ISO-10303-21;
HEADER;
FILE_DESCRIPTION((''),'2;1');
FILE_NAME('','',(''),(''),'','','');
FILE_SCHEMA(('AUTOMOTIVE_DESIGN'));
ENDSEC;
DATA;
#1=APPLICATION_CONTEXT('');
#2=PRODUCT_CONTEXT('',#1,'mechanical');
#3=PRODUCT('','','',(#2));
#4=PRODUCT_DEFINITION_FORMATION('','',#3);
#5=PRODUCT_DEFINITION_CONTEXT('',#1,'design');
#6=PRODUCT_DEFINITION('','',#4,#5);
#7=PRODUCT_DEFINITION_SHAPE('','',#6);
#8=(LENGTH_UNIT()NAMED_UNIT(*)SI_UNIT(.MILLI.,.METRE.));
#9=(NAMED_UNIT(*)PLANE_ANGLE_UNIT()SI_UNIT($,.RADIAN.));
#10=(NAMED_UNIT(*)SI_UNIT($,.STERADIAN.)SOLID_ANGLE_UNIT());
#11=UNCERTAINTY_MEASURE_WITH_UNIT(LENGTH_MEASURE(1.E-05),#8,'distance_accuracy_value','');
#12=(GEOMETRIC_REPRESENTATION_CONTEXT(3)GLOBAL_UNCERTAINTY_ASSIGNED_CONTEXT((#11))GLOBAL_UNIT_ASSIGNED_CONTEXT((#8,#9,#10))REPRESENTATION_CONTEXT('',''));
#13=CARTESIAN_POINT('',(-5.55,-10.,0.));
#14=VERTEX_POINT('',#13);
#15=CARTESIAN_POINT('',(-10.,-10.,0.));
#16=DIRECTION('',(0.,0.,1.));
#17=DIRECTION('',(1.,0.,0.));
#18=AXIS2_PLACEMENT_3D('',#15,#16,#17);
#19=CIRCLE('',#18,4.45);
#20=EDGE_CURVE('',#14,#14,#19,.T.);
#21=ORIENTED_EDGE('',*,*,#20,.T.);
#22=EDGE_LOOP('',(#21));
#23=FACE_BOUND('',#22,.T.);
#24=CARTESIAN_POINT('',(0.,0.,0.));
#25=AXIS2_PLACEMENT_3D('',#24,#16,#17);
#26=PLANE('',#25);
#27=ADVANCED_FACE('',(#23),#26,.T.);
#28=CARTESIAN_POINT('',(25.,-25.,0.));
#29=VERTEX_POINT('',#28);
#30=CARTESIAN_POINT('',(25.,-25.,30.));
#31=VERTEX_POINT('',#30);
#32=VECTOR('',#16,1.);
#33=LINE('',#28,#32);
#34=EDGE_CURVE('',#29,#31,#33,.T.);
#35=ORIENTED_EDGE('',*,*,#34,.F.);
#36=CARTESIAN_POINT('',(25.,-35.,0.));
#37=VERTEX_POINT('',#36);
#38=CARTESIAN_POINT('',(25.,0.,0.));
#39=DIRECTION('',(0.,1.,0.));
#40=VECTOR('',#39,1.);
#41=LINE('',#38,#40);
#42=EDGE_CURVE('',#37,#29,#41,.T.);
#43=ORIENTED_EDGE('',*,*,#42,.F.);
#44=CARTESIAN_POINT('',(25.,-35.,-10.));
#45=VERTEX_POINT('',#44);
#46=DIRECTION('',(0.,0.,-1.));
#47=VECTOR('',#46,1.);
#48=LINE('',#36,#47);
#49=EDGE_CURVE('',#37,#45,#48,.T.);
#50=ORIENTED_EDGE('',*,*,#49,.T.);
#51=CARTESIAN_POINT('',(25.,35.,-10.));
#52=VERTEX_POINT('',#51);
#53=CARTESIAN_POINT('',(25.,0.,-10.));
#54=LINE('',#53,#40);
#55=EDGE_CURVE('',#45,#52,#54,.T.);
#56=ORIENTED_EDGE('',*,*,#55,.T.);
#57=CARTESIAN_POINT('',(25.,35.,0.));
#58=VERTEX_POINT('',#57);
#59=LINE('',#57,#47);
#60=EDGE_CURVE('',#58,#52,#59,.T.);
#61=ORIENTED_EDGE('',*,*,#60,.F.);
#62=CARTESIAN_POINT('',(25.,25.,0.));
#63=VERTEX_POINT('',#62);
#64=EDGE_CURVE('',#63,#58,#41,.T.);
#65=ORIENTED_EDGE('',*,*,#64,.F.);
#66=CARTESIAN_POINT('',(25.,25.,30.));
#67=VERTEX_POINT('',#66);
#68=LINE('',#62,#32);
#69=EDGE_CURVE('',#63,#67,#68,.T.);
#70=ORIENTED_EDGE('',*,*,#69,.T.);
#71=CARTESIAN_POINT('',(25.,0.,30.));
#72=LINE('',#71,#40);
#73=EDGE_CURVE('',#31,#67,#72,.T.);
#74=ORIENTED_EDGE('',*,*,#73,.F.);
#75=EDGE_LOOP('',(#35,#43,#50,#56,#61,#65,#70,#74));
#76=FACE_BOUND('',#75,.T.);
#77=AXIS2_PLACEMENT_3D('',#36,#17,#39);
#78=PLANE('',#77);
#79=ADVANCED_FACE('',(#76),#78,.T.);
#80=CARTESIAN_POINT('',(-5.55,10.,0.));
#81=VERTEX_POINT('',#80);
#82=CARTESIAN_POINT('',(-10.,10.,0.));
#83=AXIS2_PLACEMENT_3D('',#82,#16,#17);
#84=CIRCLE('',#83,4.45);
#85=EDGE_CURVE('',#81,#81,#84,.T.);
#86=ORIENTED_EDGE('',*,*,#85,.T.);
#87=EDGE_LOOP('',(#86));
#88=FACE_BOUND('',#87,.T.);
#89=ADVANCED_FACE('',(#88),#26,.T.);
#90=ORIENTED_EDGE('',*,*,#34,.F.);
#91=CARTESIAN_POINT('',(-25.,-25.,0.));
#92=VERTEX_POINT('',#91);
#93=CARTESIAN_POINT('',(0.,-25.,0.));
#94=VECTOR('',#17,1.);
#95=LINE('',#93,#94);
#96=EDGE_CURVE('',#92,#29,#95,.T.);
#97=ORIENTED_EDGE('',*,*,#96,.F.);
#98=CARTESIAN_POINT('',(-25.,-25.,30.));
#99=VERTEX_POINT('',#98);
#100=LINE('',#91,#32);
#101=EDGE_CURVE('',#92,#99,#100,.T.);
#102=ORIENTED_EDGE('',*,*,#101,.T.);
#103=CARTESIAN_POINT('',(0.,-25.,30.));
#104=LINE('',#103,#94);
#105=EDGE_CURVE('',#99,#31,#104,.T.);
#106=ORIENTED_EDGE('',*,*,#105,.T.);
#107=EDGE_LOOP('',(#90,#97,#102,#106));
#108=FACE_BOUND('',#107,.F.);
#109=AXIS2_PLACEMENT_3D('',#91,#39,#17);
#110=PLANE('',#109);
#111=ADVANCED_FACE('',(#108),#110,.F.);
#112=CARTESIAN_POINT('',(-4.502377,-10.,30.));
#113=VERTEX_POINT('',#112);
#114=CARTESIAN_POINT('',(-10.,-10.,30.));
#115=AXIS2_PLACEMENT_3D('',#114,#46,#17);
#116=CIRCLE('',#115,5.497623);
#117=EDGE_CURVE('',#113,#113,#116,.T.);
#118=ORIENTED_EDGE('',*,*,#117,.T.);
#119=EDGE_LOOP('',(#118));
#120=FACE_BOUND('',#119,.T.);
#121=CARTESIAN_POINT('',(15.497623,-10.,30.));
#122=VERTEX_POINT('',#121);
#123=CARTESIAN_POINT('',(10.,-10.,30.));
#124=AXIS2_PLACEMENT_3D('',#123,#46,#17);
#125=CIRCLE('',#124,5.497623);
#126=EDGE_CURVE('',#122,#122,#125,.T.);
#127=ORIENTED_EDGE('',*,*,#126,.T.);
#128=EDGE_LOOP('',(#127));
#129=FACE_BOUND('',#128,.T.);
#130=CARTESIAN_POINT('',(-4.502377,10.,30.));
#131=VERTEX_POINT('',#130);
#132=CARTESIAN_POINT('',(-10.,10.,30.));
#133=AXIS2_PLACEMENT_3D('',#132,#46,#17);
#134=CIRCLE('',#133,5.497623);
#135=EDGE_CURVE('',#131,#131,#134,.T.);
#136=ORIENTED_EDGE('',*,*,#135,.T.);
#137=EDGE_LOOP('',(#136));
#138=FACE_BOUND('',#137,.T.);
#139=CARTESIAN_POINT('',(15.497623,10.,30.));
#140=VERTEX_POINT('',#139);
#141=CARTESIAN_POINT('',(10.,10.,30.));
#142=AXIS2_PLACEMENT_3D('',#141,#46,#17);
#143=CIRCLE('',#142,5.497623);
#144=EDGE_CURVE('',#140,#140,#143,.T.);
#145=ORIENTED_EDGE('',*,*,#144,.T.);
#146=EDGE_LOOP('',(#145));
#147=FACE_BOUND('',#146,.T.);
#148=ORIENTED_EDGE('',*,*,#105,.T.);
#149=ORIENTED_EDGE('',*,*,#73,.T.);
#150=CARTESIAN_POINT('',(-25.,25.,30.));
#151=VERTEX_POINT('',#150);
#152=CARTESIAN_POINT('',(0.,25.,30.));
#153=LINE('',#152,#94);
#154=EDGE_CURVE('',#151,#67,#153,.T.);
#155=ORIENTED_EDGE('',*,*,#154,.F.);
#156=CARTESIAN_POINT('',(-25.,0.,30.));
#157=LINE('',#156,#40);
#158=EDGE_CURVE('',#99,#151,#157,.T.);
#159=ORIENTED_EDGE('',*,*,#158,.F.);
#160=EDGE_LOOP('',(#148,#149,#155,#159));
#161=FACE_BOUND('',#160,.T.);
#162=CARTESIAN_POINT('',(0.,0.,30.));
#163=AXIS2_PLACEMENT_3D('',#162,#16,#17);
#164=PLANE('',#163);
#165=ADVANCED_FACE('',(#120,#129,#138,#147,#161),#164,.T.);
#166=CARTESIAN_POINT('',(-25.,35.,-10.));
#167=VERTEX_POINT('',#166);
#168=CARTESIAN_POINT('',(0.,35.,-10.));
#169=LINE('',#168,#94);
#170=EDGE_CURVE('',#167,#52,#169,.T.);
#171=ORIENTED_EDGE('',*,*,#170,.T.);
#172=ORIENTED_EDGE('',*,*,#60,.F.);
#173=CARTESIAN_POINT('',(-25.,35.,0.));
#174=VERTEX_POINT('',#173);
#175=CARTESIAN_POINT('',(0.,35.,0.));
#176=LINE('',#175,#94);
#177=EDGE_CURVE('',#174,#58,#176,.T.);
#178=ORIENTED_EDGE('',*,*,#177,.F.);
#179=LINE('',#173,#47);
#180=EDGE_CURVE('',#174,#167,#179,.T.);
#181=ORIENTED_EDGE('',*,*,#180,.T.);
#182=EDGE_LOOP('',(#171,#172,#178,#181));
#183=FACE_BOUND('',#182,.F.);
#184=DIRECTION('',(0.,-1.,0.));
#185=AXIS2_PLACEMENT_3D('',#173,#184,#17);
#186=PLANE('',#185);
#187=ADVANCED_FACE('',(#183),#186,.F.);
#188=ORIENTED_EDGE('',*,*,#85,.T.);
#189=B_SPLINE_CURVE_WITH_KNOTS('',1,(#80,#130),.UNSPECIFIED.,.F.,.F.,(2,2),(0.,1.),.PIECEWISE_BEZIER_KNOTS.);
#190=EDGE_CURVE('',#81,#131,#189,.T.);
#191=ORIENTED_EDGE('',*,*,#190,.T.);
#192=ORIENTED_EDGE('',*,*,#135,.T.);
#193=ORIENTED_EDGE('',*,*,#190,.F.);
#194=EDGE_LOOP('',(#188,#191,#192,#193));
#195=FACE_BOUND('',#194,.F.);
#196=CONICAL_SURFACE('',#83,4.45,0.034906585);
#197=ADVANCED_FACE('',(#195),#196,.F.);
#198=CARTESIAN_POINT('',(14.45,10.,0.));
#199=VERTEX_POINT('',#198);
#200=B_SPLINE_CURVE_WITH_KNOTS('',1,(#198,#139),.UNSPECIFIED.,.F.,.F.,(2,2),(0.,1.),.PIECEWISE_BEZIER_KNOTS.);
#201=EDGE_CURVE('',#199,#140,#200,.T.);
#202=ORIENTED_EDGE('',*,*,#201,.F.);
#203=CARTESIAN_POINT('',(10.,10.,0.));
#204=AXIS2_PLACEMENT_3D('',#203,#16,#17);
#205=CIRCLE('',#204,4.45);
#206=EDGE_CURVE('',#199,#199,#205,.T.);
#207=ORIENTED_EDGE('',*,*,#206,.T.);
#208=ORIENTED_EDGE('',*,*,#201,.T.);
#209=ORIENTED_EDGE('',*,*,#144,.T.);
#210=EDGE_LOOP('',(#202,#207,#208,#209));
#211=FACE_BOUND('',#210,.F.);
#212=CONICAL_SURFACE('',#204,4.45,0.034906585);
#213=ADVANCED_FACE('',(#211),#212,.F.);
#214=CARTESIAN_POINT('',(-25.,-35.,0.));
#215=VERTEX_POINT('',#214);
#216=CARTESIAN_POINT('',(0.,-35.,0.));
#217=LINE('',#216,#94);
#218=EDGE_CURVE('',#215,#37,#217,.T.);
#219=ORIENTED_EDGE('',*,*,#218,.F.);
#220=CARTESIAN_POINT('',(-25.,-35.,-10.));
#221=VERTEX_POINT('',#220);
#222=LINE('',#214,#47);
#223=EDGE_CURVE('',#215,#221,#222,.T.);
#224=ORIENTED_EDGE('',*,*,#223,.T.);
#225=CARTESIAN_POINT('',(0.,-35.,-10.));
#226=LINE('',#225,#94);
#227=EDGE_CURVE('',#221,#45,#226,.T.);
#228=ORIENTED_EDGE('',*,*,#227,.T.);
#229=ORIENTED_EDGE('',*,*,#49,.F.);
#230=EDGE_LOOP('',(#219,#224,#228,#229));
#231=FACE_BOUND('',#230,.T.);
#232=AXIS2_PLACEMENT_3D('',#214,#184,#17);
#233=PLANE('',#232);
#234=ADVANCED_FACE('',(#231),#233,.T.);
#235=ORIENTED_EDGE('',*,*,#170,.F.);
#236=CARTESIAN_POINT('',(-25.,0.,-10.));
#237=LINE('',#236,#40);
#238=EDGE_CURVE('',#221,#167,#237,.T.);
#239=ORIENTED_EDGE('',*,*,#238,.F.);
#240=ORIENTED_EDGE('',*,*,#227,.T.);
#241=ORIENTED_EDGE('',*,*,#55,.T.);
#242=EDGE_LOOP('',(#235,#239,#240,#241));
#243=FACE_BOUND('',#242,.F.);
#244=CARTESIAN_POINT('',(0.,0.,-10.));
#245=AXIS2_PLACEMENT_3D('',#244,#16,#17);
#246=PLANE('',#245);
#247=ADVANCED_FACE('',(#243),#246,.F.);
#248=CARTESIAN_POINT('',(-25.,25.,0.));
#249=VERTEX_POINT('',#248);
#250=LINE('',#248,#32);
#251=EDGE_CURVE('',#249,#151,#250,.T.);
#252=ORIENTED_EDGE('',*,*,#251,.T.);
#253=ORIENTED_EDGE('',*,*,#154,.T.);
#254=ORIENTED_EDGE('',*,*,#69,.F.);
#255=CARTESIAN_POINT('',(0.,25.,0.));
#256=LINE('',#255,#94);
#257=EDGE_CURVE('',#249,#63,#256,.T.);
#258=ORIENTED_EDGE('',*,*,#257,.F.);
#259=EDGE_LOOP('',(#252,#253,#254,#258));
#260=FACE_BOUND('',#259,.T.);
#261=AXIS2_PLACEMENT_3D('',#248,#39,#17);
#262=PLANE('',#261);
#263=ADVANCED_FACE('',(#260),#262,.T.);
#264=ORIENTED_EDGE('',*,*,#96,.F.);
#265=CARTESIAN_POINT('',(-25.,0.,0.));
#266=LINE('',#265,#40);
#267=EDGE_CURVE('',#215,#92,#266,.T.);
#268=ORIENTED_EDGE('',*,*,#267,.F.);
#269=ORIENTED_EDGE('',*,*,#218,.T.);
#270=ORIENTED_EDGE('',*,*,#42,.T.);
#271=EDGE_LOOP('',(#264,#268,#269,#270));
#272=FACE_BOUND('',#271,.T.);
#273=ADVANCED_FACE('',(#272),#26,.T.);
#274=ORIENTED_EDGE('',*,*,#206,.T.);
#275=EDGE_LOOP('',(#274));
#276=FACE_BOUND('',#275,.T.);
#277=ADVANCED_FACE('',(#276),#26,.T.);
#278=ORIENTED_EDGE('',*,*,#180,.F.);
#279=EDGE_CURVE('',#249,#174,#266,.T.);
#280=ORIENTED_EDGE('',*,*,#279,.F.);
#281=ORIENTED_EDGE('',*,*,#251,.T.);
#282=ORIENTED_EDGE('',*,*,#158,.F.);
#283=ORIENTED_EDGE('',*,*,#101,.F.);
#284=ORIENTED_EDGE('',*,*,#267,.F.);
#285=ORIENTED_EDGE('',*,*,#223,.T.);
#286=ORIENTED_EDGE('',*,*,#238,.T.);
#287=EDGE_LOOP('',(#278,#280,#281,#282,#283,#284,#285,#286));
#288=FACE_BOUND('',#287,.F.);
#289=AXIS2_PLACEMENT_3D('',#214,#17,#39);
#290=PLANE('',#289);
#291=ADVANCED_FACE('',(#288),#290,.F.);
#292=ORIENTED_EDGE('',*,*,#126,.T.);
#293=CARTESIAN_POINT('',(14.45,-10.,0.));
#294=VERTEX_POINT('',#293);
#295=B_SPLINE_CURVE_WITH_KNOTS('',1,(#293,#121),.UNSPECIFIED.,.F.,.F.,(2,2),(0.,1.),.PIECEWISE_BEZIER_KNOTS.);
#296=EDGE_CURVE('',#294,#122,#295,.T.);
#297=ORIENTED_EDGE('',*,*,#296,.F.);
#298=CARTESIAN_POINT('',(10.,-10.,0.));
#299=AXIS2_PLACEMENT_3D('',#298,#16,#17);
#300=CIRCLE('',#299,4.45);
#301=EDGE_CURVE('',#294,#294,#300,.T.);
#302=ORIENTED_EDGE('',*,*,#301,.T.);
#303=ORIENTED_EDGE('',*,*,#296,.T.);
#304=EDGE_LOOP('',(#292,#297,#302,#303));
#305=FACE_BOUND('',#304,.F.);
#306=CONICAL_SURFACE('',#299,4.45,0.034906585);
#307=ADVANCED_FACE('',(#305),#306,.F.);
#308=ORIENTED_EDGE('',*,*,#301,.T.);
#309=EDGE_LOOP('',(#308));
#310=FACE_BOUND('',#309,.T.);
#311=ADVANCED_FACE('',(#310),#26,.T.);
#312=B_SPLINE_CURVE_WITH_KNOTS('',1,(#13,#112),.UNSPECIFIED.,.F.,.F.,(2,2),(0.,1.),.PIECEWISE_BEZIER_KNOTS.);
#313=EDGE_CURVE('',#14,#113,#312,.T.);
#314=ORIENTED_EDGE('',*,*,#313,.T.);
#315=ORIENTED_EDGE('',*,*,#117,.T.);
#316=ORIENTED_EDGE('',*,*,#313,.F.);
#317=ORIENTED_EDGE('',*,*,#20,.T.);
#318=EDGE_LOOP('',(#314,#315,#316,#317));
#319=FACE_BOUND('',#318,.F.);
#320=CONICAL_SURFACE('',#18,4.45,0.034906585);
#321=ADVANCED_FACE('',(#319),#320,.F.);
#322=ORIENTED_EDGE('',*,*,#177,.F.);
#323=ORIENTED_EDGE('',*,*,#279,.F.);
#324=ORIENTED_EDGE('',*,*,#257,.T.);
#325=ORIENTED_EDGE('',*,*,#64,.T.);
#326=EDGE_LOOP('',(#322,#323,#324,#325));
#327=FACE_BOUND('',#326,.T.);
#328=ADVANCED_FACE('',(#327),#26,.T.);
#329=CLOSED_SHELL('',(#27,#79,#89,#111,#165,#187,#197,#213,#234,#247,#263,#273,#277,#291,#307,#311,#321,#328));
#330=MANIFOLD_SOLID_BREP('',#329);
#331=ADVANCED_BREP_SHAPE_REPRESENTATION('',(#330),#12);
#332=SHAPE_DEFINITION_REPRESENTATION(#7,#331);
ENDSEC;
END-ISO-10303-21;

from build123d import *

# Parameters (mm, degrees)
F0_W     = 50
F0_H     = 50
F1_DEPTH = 30
F2_R     = 4.45
F3_DEPTH = 30
F3_TAPER = -2
F4_W     = 50
F4_H     = 70
F5_DEPTH = 10


with BuildPart() as f1:
    # F0 (on Top) → F1 (new body)
    with BuildSketch(Plane.XY):
        Rectangle(F0_W, F0_H)
    extrude(amount=F1_DEPTH)

    # F2 (on Top) → F3 (cut)
    with BuildSketch(Plane.XY):
        with Locations((10, 10)):
            Circle(F2_R)
        with Locations((-10, 10)):
            Circle(F2_R)
        with Locations((10, -10)):
            Circle(F2_R)
        with Locations((-10, -10)):
            Circle(F2_R)
    extrude(amount=F3_DEPTH, taper=F3_TAPER, mode=Mode.SUBTRACT)

    # F4 (on Top) → F5 (join)
    with BuildSketch(Plane.XY):
        Rectangle(F4_W, F4_H)
    extrude(amount=-F5_DEPTH)


solid = f1.part
